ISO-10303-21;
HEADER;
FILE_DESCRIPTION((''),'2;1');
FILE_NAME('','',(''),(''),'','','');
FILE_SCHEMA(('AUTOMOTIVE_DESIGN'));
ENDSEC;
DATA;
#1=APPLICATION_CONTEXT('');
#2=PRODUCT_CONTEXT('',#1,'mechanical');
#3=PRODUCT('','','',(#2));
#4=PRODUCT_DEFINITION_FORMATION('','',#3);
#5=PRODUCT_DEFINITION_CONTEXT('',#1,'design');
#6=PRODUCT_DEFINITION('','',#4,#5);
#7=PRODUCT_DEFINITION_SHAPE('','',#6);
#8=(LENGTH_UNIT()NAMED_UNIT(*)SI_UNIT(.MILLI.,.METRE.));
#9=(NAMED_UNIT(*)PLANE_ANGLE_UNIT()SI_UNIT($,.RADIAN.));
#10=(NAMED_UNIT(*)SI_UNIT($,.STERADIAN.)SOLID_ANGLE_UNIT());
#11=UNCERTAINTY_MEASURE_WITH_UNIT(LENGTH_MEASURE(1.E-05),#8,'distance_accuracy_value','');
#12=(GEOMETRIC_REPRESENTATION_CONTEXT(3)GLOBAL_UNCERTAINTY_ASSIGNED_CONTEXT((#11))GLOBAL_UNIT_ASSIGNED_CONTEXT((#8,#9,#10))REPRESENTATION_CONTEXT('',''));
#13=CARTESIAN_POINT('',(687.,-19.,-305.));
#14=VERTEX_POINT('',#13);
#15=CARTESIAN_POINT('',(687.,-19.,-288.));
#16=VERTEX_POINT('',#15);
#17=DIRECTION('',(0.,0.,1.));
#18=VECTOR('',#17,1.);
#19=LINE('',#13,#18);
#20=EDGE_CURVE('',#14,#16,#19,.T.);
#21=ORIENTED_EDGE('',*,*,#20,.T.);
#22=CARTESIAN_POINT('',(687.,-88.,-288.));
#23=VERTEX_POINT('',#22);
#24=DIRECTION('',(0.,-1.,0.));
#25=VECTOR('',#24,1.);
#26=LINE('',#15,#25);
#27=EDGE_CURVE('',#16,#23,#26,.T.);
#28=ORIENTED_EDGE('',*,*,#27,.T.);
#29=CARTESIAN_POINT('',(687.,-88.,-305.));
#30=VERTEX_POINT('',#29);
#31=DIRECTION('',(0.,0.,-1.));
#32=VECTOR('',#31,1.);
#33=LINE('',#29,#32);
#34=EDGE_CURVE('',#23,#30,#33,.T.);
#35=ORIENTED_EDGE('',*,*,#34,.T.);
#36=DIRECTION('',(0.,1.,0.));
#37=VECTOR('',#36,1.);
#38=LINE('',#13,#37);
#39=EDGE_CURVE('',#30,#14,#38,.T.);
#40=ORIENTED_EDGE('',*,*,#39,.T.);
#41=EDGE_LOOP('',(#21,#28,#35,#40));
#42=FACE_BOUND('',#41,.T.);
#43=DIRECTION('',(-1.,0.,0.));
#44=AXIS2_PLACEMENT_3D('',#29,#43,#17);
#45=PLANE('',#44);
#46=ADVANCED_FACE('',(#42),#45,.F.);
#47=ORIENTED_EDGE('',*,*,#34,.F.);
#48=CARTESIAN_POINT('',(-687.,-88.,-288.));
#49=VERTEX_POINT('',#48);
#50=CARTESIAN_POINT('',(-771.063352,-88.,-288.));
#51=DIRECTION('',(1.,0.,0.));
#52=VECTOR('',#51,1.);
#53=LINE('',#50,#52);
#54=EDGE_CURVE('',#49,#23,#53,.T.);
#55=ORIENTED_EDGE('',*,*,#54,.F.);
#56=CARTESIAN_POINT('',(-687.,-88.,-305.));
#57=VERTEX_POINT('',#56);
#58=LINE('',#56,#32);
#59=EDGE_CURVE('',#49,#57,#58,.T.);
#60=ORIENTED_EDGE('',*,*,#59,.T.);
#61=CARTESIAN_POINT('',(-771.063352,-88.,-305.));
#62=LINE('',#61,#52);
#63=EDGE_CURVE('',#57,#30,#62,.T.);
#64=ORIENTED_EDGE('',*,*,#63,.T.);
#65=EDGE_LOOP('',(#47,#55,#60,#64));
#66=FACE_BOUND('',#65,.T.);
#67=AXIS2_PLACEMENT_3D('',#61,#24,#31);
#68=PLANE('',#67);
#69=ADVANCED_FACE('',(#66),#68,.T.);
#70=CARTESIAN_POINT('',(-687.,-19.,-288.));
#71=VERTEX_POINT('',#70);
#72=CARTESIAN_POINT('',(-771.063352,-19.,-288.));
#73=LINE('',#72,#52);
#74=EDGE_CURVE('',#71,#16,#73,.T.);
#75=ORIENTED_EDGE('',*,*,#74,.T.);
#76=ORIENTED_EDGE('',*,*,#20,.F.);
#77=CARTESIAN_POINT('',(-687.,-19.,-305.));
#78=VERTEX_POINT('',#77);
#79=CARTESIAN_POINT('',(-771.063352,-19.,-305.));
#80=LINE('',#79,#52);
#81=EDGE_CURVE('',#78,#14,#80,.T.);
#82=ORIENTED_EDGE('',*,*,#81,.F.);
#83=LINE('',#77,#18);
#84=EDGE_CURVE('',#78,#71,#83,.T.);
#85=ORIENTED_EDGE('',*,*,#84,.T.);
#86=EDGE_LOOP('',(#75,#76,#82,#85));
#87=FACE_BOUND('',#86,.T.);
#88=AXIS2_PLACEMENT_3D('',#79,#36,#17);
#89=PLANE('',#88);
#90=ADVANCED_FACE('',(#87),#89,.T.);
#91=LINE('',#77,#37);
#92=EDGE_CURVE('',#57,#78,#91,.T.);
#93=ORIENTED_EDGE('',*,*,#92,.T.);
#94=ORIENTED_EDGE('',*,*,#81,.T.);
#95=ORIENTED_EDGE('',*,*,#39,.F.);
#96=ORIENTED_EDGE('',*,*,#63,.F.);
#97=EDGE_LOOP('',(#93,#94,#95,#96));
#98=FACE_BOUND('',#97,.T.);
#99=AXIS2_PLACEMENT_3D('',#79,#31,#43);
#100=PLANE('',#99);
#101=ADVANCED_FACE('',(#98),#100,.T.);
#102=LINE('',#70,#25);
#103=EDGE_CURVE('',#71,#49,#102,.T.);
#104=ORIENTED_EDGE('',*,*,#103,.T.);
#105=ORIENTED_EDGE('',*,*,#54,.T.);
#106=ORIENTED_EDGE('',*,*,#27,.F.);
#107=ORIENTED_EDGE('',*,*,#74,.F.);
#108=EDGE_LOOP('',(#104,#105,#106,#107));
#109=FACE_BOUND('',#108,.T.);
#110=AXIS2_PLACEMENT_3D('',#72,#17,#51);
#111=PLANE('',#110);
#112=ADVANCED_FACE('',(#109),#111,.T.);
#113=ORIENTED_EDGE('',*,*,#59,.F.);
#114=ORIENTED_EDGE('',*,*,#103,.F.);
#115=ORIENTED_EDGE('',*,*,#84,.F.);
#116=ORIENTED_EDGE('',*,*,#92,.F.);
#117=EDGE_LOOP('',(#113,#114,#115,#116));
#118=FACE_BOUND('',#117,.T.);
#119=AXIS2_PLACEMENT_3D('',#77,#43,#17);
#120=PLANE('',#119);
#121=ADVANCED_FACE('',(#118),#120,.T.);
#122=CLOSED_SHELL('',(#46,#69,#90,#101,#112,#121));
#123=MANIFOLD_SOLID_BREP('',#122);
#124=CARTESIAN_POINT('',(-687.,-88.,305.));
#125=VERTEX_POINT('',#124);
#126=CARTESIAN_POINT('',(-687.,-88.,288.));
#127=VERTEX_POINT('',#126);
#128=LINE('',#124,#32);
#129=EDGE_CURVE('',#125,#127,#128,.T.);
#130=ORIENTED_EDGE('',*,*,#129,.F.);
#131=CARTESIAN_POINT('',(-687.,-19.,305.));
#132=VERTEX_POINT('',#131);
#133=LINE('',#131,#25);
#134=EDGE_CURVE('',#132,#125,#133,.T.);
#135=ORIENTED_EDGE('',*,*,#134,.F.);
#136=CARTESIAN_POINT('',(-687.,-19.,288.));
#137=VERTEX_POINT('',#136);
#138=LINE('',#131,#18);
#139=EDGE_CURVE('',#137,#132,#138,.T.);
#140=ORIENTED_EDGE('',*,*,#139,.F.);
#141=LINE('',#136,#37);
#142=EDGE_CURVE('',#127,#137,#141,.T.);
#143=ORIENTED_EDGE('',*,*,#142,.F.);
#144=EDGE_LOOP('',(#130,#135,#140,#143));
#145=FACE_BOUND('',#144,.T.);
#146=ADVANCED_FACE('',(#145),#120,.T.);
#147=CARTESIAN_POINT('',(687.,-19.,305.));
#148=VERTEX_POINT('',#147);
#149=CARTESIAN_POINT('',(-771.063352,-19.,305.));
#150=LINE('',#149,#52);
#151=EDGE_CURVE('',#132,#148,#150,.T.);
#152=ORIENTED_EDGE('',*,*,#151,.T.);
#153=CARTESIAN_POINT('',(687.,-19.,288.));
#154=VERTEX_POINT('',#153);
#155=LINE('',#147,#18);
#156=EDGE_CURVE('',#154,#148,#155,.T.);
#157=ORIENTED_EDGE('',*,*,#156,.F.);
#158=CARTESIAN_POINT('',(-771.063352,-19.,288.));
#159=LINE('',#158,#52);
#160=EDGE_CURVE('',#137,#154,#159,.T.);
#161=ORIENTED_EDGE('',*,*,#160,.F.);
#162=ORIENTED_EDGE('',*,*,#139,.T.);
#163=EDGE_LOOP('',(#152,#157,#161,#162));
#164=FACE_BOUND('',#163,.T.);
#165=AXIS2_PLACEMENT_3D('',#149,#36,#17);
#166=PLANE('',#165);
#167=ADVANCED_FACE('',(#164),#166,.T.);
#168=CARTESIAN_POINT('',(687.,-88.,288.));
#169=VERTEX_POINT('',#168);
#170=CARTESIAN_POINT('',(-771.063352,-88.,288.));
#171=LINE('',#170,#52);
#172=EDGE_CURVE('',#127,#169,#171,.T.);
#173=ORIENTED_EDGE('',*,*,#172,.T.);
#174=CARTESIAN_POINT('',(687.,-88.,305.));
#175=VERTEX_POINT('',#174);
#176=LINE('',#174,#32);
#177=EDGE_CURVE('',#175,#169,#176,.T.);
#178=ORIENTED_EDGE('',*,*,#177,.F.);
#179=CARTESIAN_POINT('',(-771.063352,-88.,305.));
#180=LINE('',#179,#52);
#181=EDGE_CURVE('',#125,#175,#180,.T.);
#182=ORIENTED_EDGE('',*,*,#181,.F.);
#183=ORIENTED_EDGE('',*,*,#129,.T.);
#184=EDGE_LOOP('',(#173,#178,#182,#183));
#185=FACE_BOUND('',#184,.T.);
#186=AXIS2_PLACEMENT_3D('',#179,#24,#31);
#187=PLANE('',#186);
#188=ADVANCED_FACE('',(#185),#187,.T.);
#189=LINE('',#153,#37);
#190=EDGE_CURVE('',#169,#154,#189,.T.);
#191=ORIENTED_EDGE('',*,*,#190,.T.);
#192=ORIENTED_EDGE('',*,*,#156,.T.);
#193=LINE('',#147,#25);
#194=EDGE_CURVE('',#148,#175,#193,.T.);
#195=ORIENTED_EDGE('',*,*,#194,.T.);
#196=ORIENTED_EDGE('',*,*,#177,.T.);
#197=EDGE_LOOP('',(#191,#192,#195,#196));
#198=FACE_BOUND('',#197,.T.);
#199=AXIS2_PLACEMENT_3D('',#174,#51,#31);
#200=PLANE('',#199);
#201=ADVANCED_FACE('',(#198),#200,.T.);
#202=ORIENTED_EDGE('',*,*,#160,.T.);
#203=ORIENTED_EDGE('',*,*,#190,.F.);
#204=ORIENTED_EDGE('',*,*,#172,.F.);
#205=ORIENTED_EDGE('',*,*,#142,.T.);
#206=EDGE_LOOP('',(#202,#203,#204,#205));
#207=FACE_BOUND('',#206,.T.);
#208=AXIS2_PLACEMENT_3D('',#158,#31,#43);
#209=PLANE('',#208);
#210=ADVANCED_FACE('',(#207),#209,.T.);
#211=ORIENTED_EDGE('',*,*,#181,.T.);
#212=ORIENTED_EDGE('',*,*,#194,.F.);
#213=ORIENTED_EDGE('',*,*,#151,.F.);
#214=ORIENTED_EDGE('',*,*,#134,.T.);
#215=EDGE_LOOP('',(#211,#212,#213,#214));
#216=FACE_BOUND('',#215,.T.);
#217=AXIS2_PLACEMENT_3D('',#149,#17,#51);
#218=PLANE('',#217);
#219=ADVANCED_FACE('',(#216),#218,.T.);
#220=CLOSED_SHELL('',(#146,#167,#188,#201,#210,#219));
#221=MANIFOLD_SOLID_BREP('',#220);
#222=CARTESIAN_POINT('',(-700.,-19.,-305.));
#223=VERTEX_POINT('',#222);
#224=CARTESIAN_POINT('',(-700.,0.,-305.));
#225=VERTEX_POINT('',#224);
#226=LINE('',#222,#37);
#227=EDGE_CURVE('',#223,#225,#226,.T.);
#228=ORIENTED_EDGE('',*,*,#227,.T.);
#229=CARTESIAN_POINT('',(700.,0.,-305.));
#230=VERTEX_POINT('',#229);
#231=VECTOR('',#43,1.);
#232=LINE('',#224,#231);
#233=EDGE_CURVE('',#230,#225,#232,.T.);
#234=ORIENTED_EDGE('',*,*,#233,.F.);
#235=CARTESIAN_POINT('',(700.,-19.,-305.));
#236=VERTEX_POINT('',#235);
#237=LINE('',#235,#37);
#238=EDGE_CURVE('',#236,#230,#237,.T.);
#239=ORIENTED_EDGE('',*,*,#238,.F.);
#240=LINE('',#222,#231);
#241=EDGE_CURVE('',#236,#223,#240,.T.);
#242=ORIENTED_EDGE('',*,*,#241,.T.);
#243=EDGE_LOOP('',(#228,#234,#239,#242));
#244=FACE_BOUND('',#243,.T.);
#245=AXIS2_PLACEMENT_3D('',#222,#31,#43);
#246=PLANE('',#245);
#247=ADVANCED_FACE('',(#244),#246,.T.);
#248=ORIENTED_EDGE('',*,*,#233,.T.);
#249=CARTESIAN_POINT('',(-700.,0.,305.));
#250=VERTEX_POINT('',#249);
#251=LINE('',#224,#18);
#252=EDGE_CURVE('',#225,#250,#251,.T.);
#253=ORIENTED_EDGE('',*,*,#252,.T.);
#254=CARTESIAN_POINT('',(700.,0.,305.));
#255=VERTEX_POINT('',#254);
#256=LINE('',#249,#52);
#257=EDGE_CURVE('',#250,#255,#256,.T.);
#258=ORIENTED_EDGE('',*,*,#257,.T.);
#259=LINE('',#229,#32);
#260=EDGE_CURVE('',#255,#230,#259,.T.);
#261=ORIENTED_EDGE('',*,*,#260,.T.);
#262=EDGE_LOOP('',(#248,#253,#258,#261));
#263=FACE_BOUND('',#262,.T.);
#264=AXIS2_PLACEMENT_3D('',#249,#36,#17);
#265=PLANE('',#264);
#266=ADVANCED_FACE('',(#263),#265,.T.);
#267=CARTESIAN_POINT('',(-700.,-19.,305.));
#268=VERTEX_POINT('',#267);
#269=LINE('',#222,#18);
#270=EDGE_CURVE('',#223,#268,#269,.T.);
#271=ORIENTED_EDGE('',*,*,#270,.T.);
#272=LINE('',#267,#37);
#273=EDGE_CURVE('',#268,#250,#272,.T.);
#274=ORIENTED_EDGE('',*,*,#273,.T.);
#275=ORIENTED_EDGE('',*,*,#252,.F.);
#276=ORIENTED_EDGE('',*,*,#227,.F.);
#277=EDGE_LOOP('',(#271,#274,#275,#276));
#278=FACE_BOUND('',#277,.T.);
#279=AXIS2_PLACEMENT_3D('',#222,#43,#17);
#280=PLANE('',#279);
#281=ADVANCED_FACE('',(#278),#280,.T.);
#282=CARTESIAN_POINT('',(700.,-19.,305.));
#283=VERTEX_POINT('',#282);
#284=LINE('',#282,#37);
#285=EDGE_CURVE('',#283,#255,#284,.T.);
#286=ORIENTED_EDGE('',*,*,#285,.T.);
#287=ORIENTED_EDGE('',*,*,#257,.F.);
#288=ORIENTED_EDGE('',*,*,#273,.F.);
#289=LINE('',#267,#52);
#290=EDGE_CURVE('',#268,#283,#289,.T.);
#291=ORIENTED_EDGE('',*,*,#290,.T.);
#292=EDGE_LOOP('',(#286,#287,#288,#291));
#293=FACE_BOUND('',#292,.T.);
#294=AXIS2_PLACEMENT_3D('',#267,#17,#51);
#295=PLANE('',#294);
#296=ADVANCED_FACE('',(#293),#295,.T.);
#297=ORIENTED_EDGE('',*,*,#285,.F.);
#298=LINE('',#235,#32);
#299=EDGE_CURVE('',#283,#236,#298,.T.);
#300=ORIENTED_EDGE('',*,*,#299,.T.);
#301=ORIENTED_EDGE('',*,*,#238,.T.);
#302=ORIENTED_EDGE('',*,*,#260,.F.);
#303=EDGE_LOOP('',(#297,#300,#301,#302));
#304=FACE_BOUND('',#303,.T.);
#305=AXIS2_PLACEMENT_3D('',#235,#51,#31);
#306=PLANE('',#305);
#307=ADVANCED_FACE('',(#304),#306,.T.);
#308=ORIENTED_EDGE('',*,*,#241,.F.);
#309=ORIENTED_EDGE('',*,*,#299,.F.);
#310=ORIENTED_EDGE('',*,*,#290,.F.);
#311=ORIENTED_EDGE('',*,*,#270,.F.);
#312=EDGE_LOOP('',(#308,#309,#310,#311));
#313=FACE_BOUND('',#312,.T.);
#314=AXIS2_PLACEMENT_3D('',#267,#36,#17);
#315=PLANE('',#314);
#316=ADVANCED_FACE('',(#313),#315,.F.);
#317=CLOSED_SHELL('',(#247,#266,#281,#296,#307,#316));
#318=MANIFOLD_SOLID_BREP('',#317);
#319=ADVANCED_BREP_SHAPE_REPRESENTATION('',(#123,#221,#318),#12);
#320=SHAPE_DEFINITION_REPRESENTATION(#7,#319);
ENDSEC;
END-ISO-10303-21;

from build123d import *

# Parameters (mm, degrees)
SKETCH1_W             = 1400
SKETCH1_H             = 610
BOSS_EXTRUDE1_DEPTH   = 19
BOSS_EXTRUDE2_START   = -13
SKETCH2_W             = 17
SKETCH2_H             = 69
BOSS_EXTRUDE2_DEPTH   = 1374
BOSS_EXTRUDE2_2_DEPTH = 1374


with BuildPart() as part:
    # Sketch1 → Boss-Extrude1 (new body)
    with BuildSketch(Plane(origin=(0, 0, 0), x_dir=(1, 0, 0), z_dir=(0, 1, 0))):
        Rectangle(SKETCH1_W, SKETCH1_H)
    extrude(amount=-BOSS_EXTRUDE1_DEPTH)


with BuildPart() as body_2:
    # Sketch2 → Boss-Extrude2 (new body)
    with BuildSketch(Plane(origin=(700, 0, 0), x_dir=(0, 0, -1), z_dir=(1, 0, 0)).offset(BOSS_EXTRUDE2_START)):
        with Locations((-296.5, -53.5)):
            Rectangle(SKETCH2_W, SKETCH2_H)
    extrude(amount=-BOSS_EXTRUDE2_DEPTH)


with BuildPart() as body_3:
    # Sketch2 → Boss-Extrude2 2 (new body)
    with BuildSketch(Plane(origin=(700, 0, 0), x_dir=(0, 0, -1), z_dir=(1, 0, 0)).offset(BOSS_EXTRUDE2_START)):
        with Locations((296.5, -53.5)):
            Rectangle(SKETCH2_W, SKETCH2_H)
    extrude(amount=-BOSS_EXTRUDE2_2_DEPTH)


solid = Compound([part.part, body_2.part, body_3.part])
